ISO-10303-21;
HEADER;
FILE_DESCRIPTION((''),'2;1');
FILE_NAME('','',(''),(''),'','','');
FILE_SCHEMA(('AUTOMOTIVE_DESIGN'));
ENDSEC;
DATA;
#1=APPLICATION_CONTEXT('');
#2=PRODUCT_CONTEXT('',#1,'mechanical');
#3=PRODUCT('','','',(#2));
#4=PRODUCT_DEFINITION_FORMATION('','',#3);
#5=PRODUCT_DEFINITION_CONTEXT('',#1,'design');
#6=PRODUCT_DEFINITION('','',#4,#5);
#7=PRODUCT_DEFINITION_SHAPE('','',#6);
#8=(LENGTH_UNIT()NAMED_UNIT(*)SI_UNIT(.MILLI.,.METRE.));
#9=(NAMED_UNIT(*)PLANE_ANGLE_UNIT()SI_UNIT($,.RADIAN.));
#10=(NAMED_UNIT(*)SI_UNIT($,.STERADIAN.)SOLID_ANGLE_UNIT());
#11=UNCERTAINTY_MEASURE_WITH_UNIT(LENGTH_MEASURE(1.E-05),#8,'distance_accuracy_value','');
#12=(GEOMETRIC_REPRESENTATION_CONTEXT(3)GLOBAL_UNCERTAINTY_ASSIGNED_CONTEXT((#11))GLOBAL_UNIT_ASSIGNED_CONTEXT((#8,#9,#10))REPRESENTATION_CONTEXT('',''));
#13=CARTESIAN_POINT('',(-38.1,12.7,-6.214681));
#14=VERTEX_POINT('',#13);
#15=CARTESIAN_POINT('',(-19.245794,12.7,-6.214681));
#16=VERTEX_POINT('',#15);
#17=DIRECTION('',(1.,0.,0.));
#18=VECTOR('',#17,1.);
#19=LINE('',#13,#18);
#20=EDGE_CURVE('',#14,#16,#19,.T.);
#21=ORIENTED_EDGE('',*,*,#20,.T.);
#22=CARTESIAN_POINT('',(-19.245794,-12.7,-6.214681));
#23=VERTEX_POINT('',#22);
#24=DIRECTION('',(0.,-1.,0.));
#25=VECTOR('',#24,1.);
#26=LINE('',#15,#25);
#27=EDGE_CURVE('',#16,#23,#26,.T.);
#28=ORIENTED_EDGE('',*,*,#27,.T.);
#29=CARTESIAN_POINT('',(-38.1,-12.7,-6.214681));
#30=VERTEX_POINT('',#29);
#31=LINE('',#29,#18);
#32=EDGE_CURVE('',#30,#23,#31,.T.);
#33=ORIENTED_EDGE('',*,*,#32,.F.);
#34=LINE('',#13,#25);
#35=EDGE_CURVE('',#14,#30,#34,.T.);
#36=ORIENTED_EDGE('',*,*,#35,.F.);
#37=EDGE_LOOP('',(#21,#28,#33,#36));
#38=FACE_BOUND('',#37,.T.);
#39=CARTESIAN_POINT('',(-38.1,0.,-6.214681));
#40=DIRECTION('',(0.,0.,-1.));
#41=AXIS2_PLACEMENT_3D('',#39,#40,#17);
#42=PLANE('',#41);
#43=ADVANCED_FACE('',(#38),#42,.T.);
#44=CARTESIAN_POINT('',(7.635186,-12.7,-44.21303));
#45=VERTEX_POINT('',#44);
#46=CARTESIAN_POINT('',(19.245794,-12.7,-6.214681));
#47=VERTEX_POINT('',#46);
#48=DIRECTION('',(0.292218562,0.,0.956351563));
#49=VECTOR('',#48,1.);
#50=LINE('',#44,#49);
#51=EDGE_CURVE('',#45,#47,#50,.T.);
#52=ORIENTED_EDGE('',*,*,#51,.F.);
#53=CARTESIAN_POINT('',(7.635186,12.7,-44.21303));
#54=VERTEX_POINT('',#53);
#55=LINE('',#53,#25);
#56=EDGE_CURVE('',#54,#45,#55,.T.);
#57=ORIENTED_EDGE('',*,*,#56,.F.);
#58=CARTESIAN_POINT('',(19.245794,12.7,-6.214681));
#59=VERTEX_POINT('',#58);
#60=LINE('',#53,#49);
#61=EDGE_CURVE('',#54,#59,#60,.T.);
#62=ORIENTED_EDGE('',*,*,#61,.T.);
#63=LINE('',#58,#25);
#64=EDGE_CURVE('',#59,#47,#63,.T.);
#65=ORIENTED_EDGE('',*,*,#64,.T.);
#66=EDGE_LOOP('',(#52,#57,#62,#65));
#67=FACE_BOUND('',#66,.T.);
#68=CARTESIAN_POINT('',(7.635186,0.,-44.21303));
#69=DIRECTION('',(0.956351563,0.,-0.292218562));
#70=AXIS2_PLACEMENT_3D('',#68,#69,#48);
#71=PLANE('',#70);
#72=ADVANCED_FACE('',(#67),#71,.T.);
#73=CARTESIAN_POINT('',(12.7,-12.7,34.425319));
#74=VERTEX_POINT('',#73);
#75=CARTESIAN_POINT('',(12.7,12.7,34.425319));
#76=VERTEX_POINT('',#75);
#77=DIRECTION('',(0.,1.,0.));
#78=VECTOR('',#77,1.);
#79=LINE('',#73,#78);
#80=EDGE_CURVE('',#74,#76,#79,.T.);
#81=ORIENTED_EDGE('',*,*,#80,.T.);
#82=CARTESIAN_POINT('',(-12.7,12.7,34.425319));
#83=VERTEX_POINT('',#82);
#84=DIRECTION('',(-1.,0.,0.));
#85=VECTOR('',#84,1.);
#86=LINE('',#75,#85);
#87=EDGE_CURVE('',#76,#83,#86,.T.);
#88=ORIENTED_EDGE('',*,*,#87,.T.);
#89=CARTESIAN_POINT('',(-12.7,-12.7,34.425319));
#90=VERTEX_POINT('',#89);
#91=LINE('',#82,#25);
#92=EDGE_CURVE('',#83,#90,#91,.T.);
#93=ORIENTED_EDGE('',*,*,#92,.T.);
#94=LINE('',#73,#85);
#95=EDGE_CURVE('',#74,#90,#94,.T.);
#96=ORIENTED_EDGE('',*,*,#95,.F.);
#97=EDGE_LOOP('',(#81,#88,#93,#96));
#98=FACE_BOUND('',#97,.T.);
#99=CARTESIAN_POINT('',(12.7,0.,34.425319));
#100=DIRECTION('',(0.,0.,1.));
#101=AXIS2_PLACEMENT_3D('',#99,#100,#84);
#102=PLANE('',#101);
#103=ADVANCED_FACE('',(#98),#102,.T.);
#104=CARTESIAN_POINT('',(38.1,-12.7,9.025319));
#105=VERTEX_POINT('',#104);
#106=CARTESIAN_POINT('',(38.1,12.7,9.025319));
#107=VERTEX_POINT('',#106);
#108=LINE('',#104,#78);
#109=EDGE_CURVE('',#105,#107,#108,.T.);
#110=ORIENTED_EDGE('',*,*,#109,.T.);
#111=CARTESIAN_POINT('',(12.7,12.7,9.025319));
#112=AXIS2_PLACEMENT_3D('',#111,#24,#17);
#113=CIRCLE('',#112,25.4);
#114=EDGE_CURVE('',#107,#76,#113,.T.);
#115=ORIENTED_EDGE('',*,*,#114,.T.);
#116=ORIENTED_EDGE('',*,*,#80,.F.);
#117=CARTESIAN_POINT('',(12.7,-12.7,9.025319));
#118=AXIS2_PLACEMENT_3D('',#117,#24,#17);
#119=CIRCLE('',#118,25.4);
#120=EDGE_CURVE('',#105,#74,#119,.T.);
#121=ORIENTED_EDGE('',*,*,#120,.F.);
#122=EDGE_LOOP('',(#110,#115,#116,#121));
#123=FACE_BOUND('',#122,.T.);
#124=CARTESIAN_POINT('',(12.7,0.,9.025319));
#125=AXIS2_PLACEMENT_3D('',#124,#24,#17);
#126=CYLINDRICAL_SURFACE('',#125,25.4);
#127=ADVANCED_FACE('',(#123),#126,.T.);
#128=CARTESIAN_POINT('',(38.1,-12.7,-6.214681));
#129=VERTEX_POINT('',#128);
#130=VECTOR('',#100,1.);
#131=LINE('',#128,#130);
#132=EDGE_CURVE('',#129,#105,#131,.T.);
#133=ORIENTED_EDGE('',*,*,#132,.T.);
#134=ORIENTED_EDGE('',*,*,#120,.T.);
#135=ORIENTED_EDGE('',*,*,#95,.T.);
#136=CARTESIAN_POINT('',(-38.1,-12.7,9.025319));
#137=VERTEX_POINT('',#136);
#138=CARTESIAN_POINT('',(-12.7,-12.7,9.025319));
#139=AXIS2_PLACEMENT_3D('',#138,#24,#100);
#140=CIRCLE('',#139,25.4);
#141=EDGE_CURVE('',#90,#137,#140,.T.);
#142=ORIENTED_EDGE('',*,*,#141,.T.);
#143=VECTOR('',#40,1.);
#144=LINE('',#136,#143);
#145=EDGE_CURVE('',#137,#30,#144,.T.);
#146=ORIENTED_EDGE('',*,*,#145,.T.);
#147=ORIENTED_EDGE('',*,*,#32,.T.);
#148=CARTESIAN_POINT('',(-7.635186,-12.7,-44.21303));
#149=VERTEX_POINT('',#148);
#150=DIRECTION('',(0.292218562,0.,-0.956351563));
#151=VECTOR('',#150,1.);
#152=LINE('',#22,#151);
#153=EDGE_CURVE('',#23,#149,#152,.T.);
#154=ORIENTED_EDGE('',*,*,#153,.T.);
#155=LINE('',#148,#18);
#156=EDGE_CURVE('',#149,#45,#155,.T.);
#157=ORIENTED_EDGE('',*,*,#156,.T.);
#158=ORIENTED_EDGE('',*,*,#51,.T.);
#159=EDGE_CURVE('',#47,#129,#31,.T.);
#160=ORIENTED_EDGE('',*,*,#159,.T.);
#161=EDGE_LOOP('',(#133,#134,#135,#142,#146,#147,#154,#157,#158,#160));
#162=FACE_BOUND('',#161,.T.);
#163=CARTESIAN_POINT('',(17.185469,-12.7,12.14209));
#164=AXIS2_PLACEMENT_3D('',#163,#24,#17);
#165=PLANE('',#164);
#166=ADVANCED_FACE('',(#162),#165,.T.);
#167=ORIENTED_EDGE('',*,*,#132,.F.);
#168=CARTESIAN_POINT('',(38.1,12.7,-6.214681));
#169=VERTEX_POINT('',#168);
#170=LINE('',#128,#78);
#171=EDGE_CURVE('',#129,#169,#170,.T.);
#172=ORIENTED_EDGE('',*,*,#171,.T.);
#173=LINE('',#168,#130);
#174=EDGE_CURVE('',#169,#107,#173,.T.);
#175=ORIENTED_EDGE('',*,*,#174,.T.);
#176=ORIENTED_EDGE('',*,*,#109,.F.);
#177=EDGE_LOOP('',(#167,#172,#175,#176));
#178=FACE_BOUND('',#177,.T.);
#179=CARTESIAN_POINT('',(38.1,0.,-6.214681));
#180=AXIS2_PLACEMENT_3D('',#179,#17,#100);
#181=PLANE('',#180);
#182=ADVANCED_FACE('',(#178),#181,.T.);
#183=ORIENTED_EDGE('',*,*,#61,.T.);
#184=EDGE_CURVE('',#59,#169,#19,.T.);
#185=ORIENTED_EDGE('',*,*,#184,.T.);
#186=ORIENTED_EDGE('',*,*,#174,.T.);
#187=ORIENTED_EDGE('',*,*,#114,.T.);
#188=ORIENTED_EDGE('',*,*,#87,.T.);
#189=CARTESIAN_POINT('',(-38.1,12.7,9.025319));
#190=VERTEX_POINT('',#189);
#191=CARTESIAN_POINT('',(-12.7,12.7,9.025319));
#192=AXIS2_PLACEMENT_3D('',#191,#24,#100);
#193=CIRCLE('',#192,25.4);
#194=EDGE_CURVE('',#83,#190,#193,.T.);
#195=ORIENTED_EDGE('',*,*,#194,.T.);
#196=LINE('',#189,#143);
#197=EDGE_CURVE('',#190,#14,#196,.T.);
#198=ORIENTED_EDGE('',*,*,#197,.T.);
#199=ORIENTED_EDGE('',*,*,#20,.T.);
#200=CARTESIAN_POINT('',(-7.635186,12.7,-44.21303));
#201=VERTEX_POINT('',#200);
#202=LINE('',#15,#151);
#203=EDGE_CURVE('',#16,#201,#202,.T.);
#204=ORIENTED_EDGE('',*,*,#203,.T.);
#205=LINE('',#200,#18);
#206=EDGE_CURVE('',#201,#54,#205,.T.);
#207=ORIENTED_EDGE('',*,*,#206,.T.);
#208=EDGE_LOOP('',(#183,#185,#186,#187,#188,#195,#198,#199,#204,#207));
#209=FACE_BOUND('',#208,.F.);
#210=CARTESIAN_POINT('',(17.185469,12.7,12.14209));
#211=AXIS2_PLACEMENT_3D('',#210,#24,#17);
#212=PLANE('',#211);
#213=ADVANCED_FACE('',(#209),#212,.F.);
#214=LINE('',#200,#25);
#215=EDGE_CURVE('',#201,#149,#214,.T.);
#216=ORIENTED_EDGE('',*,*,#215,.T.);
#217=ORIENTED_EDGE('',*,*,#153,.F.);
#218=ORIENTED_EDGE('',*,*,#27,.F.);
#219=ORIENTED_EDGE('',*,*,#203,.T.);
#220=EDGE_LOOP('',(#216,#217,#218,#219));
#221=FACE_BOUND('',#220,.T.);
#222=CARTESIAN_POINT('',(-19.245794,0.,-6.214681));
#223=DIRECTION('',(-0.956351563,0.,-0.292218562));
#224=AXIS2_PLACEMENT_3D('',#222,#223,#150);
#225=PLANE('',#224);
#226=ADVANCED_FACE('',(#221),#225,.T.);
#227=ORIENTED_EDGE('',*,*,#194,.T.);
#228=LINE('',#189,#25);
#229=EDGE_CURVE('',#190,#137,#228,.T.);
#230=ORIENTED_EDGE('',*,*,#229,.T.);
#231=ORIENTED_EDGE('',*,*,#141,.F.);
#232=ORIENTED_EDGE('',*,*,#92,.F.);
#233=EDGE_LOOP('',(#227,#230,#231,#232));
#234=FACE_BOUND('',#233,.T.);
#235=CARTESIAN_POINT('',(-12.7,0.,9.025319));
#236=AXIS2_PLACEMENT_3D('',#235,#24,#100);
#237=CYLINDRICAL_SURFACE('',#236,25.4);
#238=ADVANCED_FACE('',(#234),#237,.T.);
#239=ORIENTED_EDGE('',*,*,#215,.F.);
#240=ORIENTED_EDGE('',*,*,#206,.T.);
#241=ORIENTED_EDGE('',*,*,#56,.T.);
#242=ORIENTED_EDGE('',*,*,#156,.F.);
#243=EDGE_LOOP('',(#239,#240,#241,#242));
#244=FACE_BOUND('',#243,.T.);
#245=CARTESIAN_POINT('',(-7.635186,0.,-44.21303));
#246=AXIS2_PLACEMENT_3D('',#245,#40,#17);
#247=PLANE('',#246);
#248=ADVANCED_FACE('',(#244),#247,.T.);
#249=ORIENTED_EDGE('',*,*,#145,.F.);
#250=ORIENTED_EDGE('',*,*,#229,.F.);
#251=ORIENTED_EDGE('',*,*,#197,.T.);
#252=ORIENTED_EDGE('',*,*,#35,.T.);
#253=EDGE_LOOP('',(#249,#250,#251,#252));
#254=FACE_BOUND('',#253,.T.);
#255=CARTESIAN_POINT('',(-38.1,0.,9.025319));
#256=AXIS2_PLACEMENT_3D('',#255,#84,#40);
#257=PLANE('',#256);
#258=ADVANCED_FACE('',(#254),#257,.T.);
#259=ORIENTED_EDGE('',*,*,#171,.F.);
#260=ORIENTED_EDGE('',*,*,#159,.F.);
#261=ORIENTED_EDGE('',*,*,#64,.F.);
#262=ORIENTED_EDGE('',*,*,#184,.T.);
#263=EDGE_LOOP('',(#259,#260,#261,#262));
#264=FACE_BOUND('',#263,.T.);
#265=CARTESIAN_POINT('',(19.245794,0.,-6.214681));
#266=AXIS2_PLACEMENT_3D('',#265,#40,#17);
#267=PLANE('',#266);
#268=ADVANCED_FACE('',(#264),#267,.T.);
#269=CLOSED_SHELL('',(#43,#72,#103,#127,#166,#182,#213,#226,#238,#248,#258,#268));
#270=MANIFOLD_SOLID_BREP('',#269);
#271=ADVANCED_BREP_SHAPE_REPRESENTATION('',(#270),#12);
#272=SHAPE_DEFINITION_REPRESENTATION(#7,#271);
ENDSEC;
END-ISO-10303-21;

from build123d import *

# Parameters (mm, degrees)
F1_DEPTH      = 12.7
F1_DEPTH_BACK = 12.7


with BuildPart() as f1:
    # F0 (on Front) → F1 (new body, two sides)
    with BuildSketch(Plane.XZ) as f1_sk:
        with BuildLine():
            Line((12.7, 34.4253193842), (0, 34.4253193842))
            Line((0, 34.4253193842), (0, -5.8595561422))
            Line((0, -5.8595561422), (0, -6.2146806158))
            Line((0, -6.2146806158), (19.245794032, -6.2146806158))
            Line((19.245794032, -6.2146806158), (38.1, -6.2146806158))
            Line((38.1, -6.2146806158), (38.1, 9.0253193842))
            ThreePointArc((38.1, 9.0253193842), (30.6605122421, 26.9858316263), (12.7, 34.4253193842))
        make_face()
        with BuildLine():
            Line((0, -5.8595561422), (0, 34.4253193842))
            Line((0, 34.4253193842), (-12.7, 34.4253193842))
            ThreePointArc((-12.7, 34.4253193842), (-30.6605122421, 26.9858316263), (-38.1, 9.0253193842))
            Line((-38.1, 9.0253193842), (-38.1, -6.2146806158))
            Line((-38.1, -6.2146806158), (-19.245794032, -6.2146806158))
            Line((-19.245794032, -6.2146806158), (0, -5.8595561422))
        make_face()
        Polygon((0, -6.2146806158), (0, -5.8595561422), (-19.245794032, -6.2146806158), align=None)
        Polygon((19.245794032, -6.2146806158), (0, -6.2146806158), (-19.245794032, -6.2146806158), (-7.6351859607, -44.2130304873), (7.6351859607, -44.2130304873), align=None)
    extrude(amount=F1_DEPTH)
    extrude(f1_sk.sketch, amount=-F1_DEPTH_BACK)


solid = f1.part
